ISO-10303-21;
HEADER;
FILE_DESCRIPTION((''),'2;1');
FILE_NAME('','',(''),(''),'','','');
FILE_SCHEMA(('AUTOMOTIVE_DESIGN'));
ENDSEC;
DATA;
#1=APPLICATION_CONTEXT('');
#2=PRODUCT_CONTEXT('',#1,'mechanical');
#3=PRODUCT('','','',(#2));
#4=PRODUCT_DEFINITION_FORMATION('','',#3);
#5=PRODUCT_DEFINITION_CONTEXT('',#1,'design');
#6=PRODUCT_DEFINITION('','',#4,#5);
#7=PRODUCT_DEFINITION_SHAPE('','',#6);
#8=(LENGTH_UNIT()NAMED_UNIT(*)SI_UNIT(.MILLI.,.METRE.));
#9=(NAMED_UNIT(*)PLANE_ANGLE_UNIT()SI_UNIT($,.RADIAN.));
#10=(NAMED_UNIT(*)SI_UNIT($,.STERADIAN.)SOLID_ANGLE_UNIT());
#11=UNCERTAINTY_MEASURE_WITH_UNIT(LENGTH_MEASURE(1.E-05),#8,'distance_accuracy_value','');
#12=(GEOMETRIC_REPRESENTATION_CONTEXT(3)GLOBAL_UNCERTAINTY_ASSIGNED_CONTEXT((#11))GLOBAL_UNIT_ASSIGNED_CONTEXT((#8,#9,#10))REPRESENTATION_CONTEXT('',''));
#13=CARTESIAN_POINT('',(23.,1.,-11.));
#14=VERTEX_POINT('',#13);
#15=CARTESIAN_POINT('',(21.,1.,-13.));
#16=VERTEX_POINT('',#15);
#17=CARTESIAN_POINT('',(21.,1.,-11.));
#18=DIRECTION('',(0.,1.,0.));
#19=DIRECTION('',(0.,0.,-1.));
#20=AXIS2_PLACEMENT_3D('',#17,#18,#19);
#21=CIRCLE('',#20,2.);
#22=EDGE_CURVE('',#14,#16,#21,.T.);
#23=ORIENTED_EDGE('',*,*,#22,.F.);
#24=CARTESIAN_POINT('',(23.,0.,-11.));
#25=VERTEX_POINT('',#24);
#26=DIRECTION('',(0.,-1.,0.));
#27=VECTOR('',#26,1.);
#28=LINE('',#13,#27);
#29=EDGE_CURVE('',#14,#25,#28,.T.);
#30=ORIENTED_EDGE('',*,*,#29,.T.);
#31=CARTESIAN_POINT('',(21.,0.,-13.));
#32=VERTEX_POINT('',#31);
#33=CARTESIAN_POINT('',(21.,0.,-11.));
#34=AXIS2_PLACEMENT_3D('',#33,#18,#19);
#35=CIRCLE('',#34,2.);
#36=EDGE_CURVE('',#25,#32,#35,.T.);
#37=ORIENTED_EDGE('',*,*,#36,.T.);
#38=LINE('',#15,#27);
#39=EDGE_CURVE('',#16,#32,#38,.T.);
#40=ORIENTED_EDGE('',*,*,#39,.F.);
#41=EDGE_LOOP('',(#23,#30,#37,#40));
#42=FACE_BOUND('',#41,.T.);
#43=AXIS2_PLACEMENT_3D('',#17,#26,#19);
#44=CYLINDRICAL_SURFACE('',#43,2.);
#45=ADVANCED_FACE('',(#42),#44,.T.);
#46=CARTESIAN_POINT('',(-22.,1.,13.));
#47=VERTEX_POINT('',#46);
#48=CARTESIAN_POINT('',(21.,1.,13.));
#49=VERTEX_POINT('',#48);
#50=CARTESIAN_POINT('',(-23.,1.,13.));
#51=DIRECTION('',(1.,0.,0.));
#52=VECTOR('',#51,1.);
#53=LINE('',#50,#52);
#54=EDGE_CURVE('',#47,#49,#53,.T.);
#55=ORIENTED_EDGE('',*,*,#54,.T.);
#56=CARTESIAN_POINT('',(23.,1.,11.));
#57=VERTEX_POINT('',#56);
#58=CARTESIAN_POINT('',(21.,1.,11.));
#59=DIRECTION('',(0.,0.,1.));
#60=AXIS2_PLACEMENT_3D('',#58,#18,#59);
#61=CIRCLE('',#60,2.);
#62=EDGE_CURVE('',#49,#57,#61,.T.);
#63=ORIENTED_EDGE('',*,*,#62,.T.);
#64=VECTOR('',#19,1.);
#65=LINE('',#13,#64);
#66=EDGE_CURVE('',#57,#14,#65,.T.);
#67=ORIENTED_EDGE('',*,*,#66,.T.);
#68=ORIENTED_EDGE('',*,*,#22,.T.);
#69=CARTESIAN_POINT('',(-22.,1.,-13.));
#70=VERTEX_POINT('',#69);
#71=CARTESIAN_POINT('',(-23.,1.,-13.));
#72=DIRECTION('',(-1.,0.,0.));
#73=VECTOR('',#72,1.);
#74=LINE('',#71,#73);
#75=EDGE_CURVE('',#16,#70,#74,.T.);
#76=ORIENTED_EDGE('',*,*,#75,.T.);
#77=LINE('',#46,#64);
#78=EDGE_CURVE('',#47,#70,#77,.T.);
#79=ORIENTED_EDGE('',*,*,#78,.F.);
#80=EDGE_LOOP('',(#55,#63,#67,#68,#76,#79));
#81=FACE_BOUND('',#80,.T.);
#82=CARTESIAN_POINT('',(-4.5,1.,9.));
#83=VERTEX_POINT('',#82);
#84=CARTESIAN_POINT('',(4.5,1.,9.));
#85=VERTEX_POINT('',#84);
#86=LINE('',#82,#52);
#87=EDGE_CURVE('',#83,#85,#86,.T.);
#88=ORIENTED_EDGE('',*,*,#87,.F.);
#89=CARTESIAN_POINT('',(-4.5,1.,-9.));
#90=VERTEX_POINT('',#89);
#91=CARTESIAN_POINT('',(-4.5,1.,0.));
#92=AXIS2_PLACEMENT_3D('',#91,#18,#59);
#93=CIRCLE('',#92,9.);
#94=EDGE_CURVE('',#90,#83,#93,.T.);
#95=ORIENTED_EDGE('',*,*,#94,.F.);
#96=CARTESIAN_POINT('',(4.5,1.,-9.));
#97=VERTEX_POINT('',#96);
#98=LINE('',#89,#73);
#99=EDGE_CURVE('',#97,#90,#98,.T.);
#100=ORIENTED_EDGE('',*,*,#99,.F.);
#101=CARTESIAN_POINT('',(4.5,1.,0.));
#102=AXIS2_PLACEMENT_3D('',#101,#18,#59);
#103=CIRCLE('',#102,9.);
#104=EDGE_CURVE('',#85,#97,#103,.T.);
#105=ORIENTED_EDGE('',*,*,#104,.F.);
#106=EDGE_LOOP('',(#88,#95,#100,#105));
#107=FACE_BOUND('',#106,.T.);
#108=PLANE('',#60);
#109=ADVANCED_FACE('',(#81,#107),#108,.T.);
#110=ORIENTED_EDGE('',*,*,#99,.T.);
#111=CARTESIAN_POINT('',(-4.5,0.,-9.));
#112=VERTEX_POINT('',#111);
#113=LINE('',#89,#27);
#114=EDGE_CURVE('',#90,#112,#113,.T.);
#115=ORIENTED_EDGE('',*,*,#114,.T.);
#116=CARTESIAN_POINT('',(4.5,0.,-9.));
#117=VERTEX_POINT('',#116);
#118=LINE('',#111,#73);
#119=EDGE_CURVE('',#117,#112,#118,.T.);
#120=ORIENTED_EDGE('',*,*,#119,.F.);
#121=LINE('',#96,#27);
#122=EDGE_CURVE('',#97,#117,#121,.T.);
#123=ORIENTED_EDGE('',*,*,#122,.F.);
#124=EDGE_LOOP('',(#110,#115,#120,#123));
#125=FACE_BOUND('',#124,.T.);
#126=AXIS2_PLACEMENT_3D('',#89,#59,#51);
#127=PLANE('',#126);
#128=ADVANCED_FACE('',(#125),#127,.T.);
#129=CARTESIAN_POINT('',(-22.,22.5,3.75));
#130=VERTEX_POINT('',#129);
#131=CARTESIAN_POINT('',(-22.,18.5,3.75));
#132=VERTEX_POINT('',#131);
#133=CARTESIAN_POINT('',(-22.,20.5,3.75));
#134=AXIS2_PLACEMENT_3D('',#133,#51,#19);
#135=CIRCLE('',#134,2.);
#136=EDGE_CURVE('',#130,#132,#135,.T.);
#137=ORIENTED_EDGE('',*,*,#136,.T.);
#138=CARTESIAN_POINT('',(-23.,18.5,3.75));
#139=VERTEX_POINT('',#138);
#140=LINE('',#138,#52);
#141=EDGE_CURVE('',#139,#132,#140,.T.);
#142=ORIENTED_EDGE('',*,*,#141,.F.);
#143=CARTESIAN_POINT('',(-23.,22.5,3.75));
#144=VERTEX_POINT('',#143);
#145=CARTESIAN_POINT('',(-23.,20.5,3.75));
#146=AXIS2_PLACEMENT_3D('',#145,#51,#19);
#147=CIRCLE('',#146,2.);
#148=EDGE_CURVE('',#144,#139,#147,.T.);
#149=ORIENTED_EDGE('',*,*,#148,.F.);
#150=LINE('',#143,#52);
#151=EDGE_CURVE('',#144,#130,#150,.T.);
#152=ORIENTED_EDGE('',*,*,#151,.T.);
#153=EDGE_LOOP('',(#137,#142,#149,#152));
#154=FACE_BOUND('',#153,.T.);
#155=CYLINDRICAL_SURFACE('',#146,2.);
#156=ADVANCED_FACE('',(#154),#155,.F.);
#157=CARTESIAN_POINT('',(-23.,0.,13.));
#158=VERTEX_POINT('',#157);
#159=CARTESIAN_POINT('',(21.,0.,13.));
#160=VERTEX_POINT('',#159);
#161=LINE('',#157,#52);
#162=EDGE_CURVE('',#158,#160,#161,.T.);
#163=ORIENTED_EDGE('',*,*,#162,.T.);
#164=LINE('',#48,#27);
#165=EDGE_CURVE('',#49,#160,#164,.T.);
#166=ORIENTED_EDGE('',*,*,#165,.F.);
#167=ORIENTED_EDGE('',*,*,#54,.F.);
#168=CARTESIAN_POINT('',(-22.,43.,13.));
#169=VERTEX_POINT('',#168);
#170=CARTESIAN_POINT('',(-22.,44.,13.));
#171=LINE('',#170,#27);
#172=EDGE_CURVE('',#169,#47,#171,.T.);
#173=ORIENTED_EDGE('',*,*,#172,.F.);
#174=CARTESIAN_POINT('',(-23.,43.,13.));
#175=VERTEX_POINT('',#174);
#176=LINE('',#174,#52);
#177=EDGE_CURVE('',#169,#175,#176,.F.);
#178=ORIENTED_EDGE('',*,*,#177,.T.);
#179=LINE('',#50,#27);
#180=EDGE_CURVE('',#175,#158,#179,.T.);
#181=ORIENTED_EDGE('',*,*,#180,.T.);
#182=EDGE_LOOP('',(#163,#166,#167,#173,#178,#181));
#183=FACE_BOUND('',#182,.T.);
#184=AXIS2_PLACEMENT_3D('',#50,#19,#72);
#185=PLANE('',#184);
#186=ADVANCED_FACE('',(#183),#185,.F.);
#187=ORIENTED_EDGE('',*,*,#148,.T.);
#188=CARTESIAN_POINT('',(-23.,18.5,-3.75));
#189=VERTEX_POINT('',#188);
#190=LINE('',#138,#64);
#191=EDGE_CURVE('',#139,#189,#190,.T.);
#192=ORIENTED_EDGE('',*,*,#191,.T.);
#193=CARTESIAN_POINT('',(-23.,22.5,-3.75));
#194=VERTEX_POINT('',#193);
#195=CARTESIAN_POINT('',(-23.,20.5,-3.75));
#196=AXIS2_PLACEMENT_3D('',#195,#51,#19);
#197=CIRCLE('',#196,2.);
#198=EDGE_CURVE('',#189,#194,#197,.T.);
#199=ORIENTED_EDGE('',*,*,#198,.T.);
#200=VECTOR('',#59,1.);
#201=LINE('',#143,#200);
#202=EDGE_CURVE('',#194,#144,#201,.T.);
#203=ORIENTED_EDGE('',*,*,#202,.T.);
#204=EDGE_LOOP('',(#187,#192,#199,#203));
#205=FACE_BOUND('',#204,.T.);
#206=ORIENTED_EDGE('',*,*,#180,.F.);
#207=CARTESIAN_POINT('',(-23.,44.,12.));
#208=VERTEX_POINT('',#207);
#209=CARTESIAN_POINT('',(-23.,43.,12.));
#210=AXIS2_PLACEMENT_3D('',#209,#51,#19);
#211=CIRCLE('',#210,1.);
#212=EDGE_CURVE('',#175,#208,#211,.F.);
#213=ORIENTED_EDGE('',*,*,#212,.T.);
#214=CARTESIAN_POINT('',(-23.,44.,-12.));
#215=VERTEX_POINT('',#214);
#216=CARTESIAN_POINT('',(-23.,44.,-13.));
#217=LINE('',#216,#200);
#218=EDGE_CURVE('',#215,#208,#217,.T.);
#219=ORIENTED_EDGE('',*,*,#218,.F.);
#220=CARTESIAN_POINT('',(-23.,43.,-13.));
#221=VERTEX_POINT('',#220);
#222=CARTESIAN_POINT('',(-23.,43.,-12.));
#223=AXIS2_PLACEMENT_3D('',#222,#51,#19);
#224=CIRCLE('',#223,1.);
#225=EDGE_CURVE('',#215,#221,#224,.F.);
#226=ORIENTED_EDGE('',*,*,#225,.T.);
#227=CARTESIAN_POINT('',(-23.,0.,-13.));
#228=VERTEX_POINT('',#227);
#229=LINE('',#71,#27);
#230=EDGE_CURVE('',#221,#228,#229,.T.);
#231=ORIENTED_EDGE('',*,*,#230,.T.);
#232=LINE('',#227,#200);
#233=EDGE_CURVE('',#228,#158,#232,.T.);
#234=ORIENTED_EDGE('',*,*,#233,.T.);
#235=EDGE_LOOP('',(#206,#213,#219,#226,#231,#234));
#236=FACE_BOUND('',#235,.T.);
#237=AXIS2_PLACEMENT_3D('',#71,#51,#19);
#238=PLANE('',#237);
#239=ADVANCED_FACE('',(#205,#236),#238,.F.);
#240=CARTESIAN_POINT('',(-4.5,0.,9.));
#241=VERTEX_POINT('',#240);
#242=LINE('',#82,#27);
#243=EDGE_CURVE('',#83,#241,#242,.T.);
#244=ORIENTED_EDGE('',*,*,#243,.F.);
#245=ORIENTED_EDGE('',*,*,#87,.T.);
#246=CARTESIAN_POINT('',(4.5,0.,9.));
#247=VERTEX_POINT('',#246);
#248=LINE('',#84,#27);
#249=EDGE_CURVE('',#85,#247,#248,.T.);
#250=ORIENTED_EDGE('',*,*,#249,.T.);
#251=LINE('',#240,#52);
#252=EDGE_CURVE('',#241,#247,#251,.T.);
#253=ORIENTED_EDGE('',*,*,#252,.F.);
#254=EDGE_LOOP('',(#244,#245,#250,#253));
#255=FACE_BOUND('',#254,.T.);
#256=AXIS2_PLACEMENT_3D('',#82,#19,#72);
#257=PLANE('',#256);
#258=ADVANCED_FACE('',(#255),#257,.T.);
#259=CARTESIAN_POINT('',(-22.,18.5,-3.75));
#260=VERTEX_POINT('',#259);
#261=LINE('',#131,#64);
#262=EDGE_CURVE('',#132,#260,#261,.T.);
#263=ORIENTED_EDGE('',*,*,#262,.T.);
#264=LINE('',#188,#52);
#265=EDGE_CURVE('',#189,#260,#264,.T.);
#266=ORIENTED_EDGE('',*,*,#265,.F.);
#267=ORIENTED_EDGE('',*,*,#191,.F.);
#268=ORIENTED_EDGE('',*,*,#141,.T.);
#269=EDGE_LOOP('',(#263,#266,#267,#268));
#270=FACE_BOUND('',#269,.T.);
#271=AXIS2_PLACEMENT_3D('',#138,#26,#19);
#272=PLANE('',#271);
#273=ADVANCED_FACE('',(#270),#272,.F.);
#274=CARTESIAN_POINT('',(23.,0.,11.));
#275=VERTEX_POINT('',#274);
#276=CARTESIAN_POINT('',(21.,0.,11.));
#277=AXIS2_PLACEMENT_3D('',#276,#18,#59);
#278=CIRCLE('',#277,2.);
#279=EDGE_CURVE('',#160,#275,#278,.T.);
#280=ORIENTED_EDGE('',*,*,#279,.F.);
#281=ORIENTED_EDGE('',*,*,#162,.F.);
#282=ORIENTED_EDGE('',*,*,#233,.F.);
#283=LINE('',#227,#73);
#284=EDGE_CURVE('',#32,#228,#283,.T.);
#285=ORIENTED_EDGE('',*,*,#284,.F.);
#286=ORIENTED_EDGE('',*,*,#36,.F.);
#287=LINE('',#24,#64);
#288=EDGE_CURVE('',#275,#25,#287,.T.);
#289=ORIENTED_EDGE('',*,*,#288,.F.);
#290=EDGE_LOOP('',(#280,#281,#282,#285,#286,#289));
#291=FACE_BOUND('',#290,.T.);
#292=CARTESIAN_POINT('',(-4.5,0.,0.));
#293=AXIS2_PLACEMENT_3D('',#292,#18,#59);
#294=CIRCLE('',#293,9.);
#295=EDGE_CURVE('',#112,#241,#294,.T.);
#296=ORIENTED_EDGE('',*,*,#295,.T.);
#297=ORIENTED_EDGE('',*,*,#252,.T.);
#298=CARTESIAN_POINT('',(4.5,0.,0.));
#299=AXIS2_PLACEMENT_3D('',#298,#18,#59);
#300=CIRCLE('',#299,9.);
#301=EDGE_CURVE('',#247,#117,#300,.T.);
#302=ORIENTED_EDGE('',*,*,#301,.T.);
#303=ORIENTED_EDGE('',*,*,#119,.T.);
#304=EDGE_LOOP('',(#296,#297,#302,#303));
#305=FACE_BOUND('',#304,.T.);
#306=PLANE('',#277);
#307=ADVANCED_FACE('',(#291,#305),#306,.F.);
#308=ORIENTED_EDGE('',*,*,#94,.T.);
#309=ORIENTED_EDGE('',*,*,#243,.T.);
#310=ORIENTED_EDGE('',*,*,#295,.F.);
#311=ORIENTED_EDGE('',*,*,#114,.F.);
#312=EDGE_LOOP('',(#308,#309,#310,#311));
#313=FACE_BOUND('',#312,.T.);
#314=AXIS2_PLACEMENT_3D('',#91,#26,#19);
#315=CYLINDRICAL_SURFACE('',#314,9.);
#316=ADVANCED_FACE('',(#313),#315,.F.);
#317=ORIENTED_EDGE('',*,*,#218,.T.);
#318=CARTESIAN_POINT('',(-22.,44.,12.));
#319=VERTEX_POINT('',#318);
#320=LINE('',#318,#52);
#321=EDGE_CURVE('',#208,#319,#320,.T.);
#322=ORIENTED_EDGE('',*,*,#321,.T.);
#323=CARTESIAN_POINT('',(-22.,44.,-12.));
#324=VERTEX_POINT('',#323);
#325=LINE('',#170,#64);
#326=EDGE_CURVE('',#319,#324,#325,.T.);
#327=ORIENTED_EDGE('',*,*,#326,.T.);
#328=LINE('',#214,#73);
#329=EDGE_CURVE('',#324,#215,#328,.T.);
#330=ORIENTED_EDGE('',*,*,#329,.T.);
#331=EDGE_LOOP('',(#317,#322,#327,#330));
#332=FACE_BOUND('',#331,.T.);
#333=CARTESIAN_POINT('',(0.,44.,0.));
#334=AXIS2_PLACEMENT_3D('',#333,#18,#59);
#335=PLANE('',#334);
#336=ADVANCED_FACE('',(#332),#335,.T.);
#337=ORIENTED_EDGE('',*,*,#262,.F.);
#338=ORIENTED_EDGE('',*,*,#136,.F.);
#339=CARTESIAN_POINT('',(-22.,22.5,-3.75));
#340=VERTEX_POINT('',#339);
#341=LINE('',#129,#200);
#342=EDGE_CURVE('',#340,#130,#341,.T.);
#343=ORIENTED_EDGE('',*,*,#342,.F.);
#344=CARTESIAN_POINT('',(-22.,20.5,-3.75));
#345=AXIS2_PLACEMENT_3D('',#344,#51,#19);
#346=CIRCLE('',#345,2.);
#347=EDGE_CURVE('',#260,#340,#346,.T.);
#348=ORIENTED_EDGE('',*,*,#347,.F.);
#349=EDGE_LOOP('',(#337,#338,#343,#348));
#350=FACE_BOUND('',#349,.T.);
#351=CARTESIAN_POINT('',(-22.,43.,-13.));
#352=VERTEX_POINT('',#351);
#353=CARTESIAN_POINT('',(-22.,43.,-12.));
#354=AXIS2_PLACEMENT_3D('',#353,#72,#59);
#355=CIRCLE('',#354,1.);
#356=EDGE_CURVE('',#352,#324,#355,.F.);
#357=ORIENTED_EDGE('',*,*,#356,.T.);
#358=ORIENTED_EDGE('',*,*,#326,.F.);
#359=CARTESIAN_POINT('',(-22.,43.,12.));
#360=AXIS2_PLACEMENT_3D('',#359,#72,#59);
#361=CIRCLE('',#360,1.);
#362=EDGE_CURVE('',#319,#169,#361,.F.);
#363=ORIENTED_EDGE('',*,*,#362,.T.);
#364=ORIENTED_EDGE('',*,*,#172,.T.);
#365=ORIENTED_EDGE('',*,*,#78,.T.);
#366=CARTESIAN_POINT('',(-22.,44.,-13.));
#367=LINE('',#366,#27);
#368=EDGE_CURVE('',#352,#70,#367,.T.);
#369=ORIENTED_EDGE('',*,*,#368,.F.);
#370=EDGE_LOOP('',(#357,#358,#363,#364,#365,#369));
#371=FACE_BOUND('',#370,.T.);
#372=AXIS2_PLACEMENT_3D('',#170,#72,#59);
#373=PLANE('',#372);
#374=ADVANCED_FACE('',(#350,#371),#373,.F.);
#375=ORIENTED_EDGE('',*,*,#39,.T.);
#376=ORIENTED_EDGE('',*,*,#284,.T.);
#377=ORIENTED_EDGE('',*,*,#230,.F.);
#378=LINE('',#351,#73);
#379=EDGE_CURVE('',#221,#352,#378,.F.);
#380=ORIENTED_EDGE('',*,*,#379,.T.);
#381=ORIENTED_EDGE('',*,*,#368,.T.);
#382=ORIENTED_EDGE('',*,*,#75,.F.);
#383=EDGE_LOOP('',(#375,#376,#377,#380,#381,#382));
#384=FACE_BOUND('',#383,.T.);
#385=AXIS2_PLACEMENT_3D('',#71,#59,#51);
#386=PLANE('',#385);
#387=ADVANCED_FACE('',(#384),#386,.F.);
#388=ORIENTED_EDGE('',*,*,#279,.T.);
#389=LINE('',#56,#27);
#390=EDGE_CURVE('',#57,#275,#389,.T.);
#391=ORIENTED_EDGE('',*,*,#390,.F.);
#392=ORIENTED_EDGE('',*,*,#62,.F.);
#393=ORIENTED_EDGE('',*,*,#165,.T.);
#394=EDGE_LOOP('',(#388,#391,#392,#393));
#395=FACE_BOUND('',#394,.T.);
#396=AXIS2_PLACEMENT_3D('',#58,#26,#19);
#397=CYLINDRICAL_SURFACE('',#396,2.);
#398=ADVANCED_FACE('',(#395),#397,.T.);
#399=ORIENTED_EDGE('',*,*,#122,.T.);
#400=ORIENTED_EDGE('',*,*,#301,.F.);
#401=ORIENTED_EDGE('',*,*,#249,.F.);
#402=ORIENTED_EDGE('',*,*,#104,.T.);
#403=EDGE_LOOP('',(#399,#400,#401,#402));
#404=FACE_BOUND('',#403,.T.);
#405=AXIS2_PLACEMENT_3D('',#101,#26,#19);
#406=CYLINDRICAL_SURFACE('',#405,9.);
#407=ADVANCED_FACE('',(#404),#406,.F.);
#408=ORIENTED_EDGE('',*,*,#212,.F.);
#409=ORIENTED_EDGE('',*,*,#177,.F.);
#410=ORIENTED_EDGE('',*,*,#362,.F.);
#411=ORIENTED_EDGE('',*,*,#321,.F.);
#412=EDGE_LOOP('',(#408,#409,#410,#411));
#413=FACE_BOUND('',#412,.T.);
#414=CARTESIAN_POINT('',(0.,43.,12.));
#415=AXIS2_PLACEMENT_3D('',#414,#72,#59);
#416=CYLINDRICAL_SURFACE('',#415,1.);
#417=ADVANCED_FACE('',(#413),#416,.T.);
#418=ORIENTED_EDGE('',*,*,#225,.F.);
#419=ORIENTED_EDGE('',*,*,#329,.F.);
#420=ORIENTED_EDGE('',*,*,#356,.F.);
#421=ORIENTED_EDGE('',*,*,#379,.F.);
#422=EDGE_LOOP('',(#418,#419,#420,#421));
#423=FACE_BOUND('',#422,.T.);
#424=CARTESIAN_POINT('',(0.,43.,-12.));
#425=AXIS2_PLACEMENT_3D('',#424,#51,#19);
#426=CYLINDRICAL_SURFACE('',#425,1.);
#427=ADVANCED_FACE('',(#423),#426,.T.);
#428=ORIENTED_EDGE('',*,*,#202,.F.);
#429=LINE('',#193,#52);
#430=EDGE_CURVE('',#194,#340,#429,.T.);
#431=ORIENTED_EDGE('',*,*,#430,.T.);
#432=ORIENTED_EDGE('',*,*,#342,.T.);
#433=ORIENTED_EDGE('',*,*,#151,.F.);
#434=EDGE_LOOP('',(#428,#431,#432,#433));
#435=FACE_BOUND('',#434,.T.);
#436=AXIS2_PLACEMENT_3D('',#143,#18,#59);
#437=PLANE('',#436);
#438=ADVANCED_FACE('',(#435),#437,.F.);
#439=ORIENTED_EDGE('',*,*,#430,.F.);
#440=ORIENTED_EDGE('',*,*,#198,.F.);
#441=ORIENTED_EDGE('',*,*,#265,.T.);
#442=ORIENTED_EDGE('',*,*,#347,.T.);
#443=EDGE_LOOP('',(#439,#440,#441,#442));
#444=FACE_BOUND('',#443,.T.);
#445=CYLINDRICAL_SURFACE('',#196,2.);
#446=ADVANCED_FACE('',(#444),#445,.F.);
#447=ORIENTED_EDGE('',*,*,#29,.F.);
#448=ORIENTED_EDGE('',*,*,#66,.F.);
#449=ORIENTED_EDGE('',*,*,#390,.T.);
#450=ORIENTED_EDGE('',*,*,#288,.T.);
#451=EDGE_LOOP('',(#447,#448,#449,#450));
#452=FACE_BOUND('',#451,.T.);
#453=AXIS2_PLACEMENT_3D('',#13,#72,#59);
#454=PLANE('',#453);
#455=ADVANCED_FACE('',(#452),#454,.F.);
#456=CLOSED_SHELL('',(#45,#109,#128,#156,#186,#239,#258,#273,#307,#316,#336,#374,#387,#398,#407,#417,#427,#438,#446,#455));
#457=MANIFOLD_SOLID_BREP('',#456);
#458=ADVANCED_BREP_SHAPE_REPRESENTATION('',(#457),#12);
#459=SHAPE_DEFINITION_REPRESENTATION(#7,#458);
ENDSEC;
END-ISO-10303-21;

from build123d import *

# Parameters (mm, degrees)
BOSS_EXTRUDE1_DEPTH = 1
SKETCH2_W           = 1
SKETCH2_H           = 26
BOSS_EXTRUDE2_DEPTH = 43
CUT_EXTRUDE1_DEPTH  = 1
FILLET1_R           = 1


with BuildPart() as part:
    # Sketch1 → Boss-Extrude1 (new body)
    with BuildSketch(Plane(origin=(0, 0, 0), x_dir=(1, 0, 0), z_dir=(0, 1, 0))):
        with BuildLine():
            Line((-23, 13), (21, 13))
            ThreePointArc((21, 13), (22.414213562, 12.414213562), (23, 11))
            Line((23, 11), (23, -11))
            ThreePointArc((23, -11), (22.414213562, -12.414213562), (21, -13))
            Line((21, -13), (-23, -13))
            Line((-23, -13), (-23, 13))
        make_face()
        with BuildLine():
            Line((-4.5, 9), (4.5, 9))
            ThreePointArc((4.5, 9), (13.5, 0), (4.5, -9))
            Line((4.5, -9), (-4.5, -9))
            ThreePointArc((-4.5, -9), (-13.5, 0), (-4.5, 9))
        make_face(mode=Mode.SUBTRACT)
    extrude(amount=BOSS_EXTRUDE1_DEPTH)

    # Sketch2 → Boss-Extrude2 (add)
    with BuildSketch(Plane(origin=(0, 1, 0), x_dir=(1, 0, 0), z_dir=(0, 1, 0))):
        with Locations((-22.5, 0)):
            Rectangle(SKETCH2_W, SKETCH2_H)
    extrude(amount=BOSS_EXTRUDE2_DEPTH)

    # Sketch3 → Cut-Extrude1 (cut)
    with BuildSketch(Plane(origin=(-22, 0, 0), x_dir=(0, 0, -1), z_dir=(1, 0, 0))):
        with BuildLine():
            Line((-3.75, 22.5), (3.75, 22.5))
            ThreePointArc((3.75, 22.5), (5.75, 20.5), (3.75, 18.5))
            Line((3.75, 18.5), (-3.75, 18.5))
            ThreePointArc((-3.75, 18.5), (-5.75, 20.5), (-3.75, 22.5))
        make_face()
    extrude(amount=-CUT_EXTRUDE1_DEPTH, mode=Mode.SUBTRACT)

    # Fillet1
    fillet1_edges = [part.edges().sort_by_distance(p)[0] for p in [
        (-22.5, 44, -13),
        (-22.5, 44, 13),
    ]]
    fillet(fillet1_edges, radius=FILLET1_R)


solid = part.part
